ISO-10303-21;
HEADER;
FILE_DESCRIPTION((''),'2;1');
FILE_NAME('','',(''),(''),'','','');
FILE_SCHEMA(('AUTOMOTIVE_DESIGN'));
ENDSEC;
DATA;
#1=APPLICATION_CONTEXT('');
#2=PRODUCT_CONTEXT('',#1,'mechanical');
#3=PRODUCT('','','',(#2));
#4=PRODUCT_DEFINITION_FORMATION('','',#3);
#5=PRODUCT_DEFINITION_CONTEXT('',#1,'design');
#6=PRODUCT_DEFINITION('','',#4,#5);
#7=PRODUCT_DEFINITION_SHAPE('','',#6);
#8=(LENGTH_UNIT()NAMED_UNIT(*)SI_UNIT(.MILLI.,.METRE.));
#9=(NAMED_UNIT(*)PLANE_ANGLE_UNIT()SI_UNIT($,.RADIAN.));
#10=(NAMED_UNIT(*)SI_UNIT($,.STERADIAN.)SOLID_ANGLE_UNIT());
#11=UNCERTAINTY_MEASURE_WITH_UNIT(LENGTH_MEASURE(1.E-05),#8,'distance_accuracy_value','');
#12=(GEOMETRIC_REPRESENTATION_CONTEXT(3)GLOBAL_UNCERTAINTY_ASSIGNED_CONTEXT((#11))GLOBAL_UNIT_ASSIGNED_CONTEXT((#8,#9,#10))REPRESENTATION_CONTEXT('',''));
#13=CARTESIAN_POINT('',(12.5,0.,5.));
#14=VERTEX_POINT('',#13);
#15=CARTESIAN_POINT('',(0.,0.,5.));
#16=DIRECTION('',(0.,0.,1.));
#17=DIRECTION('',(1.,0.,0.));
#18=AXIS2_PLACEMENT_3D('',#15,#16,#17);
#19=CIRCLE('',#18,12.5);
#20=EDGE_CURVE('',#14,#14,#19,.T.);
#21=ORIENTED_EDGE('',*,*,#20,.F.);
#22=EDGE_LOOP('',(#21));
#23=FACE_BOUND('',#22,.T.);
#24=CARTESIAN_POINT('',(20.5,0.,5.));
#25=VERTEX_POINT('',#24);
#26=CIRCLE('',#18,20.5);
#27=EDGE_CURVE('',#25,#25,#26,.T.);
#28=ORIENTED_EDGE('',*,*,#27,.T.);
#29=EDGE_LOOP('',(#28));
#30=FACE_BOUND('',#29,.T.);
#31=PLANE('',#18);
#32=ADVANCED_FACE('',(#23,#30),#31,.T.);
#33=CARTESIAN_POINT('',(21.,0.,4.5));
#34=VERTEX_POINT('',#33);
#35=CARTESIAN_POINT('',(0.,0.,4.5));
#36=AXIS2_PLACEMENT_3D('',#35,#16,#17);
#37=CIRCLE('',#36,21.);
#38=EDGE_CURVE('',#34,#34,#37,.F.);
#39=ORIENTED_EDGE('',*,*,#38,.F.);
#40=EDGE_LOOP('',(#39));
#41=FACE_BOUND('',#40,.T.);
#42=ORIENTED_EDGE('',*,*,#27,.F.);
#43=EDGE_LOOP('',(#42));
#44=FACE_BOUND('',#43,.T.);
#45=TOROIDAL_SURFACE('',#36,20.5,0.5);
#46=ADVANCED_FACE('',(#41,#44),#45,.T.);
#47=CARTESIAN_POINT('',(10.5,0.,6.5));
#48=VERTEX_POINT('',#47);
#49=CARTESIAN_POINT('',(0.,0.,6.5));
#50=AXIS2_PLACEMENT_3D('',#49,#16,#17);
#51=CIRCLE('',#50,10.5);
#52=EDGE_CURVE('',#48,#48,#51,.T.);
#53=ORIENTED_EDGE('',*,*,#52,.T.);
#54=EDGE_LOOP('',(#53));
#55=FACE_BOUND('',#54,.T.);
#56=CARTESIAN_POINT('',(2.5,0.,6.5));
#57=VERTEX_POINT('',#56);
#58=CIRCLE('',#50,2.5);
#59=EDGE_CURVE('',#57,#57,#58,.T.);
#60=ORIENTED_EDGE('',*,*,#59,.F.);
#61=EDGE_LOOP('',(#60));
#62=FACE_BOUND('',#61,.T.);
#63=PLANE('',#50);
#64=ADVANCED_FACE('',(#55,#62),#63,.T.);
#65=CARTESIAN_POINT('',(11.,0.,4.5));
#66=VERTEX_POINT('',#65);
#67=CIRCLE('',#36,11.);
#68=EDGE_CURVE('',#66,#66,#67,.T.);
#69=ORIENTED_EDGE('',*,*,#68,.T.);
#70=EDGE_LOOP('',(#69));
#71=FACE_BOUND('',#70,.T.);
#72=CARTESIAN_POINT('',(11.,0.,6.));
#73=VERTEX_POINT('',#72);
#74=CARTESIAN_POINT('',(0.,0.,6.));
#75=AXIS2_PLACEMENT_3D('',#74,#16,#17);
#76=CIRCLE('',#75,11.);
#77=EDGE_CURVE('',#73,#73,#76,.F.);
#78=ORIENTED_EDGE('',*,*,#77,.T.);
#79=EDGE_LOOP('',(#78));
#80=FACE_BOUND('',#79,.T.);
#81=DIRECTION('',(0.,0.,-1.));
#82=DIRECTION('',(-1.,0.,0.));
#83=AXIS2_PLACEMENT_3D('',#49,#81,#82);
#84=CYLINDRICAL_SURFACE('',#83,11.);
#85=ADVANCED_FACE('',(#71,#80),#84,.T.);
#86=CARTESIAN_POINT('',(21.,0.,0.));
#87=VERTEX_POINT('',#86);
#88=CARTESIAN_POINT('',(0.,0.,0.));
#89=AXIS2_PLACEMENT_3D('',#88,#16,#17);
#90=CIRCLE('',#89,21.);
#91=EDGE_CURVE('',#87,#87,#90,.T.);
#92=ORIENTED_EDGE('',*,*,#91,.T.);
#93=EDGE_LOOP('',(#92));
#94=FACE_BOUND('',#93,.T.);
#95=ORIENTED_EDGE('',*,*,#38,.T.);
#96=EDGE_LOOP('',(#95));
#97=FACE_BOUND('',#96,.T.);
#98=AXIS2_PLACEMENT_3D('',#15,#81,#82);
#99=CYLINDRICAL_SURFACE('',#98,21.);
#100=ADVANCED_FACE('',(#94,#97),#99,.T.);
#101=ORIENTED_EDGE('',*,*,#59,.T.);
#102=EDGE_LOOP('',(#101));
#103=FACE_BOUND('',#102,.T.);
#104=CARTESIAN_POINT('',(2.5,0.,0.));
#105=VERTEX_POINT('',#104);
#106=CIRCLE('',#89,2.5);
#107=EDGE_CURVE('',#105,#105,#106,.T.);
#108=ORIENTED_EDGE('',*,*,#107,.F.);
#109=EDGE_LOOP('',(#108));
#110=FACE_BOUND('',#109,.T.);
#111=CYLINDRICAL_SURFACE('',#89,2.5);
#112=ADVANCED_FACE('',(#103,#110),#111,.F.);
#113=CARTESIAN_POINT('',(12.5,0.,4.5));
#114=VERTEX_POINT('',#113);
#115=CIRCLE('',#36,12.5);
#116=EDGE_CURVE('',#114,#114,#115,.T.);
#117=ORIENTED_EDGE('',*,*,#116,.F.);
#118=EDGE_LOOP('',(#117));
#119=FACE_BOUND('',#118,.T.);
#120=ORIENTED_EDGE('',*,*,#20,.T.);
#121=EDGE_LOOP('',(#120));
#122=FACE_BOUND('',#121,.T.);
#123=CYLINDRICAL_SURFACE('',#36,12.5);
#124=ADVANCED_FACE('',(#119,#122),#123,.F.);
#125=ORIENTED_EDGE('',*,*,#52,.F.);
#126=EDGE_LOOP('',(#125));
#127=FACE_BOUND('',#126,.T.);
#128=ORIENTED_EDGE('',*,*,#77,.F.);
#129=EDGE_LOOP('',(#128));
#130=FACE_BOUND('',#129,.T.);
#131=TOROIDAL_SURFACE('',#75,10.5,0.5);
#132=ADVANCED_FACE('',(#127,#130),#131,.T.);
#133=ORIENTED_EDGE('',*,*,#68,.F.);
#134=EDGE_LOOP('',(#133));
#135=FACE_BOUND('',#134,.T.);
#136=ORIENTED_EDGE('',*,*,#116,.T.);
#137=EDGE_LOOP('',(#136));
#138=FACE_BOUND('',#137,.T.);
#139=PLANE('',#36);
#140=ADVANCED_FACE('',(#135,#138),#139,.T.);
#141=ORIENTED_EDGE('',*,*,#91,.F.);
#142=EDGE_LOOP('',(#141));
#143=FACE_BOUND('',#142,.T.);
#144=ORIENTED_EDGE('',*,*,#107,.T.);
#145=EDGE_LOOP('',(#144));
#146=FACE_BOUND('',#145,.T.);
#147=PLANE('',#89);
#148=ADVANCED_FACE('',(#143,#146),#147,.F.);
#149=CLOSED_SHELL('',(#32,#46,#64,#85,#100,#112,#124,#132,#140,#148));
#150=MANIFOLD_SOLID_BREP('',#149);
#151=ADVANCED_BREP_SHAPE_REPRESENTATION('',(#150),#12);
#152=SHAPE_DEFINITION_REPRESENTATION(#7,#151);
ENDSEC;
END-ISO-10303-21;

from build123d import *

# Parameters (mm, degrees)
CROQUIS1_R              = 21
SALIENTE_EXTRUIR1_DEPTH = 5
CROQUIS2_R              = 12.5
CORTAR_EXTRUIR1_DEPTH   = 0.5
CROQUIS3_R              = 11
SALIENTE_EXTRUIR2_DEPTH = 2
CROQUIS4_R              = 2.5
CORTAR_EXTRUIR2_DEPTH   = 7.5
REDONDEO1_R             = 0.5
REDONDEO2_R             = 0.5


with BuildPart() as part:
    # Croquis1 → Saliente-Extruir1 (new body)
    with BuildSketch(Plane.XY):
        Circle(CROQUIS1_R)
    extrude(amount=SALIENTE_EXTRUIR1_DEPTH)

    # Croquis2 → Cortar-Extruir1 (cut)
    with BuildSketch(Plane.XY.offset(5)):
        Circle(CROQUIS2_R)
    extrude(amount=-CORTAR_EXTRUIR1_DEPTH, mode=Mode.SUBTRACT)

    # Croquis3 → Saliente-Extruir2 (add)
    with BuildSketch(Plane.XY.offset(4.5)):
        Circle(CROQUIS3_R)
    extrude(amount=SALIENTE_EXTRUIR2_DEPTH)

    # Croquis4 → Cortar-Extruir2 (cut, through all)
    with BuildSketch(Plane.XY.offset(6.5)):
        Circle(CROQUIS4_R)
    extrude(amount=-CORTAR_EXTRUIR2_DEPTH, mode=Mode.SUBTRACT)

    # Redondeo1
    redondeo1_edges = [part.edges().sort_by_distance(p)[0] for p in [
        (-21, 0, 5),
    ]]
    fillet(redondeo1_edges, radius=REDONDEO1_R)

    # Redondeo2
    redondeo2_edges = [part.edges().sort_by_distance(p)[0] for p in [
        (-11, 0, 6.5),
    ]]
    fillet(redondeo2_edges, radius=REDONDEO2_R)


solid = part.part
